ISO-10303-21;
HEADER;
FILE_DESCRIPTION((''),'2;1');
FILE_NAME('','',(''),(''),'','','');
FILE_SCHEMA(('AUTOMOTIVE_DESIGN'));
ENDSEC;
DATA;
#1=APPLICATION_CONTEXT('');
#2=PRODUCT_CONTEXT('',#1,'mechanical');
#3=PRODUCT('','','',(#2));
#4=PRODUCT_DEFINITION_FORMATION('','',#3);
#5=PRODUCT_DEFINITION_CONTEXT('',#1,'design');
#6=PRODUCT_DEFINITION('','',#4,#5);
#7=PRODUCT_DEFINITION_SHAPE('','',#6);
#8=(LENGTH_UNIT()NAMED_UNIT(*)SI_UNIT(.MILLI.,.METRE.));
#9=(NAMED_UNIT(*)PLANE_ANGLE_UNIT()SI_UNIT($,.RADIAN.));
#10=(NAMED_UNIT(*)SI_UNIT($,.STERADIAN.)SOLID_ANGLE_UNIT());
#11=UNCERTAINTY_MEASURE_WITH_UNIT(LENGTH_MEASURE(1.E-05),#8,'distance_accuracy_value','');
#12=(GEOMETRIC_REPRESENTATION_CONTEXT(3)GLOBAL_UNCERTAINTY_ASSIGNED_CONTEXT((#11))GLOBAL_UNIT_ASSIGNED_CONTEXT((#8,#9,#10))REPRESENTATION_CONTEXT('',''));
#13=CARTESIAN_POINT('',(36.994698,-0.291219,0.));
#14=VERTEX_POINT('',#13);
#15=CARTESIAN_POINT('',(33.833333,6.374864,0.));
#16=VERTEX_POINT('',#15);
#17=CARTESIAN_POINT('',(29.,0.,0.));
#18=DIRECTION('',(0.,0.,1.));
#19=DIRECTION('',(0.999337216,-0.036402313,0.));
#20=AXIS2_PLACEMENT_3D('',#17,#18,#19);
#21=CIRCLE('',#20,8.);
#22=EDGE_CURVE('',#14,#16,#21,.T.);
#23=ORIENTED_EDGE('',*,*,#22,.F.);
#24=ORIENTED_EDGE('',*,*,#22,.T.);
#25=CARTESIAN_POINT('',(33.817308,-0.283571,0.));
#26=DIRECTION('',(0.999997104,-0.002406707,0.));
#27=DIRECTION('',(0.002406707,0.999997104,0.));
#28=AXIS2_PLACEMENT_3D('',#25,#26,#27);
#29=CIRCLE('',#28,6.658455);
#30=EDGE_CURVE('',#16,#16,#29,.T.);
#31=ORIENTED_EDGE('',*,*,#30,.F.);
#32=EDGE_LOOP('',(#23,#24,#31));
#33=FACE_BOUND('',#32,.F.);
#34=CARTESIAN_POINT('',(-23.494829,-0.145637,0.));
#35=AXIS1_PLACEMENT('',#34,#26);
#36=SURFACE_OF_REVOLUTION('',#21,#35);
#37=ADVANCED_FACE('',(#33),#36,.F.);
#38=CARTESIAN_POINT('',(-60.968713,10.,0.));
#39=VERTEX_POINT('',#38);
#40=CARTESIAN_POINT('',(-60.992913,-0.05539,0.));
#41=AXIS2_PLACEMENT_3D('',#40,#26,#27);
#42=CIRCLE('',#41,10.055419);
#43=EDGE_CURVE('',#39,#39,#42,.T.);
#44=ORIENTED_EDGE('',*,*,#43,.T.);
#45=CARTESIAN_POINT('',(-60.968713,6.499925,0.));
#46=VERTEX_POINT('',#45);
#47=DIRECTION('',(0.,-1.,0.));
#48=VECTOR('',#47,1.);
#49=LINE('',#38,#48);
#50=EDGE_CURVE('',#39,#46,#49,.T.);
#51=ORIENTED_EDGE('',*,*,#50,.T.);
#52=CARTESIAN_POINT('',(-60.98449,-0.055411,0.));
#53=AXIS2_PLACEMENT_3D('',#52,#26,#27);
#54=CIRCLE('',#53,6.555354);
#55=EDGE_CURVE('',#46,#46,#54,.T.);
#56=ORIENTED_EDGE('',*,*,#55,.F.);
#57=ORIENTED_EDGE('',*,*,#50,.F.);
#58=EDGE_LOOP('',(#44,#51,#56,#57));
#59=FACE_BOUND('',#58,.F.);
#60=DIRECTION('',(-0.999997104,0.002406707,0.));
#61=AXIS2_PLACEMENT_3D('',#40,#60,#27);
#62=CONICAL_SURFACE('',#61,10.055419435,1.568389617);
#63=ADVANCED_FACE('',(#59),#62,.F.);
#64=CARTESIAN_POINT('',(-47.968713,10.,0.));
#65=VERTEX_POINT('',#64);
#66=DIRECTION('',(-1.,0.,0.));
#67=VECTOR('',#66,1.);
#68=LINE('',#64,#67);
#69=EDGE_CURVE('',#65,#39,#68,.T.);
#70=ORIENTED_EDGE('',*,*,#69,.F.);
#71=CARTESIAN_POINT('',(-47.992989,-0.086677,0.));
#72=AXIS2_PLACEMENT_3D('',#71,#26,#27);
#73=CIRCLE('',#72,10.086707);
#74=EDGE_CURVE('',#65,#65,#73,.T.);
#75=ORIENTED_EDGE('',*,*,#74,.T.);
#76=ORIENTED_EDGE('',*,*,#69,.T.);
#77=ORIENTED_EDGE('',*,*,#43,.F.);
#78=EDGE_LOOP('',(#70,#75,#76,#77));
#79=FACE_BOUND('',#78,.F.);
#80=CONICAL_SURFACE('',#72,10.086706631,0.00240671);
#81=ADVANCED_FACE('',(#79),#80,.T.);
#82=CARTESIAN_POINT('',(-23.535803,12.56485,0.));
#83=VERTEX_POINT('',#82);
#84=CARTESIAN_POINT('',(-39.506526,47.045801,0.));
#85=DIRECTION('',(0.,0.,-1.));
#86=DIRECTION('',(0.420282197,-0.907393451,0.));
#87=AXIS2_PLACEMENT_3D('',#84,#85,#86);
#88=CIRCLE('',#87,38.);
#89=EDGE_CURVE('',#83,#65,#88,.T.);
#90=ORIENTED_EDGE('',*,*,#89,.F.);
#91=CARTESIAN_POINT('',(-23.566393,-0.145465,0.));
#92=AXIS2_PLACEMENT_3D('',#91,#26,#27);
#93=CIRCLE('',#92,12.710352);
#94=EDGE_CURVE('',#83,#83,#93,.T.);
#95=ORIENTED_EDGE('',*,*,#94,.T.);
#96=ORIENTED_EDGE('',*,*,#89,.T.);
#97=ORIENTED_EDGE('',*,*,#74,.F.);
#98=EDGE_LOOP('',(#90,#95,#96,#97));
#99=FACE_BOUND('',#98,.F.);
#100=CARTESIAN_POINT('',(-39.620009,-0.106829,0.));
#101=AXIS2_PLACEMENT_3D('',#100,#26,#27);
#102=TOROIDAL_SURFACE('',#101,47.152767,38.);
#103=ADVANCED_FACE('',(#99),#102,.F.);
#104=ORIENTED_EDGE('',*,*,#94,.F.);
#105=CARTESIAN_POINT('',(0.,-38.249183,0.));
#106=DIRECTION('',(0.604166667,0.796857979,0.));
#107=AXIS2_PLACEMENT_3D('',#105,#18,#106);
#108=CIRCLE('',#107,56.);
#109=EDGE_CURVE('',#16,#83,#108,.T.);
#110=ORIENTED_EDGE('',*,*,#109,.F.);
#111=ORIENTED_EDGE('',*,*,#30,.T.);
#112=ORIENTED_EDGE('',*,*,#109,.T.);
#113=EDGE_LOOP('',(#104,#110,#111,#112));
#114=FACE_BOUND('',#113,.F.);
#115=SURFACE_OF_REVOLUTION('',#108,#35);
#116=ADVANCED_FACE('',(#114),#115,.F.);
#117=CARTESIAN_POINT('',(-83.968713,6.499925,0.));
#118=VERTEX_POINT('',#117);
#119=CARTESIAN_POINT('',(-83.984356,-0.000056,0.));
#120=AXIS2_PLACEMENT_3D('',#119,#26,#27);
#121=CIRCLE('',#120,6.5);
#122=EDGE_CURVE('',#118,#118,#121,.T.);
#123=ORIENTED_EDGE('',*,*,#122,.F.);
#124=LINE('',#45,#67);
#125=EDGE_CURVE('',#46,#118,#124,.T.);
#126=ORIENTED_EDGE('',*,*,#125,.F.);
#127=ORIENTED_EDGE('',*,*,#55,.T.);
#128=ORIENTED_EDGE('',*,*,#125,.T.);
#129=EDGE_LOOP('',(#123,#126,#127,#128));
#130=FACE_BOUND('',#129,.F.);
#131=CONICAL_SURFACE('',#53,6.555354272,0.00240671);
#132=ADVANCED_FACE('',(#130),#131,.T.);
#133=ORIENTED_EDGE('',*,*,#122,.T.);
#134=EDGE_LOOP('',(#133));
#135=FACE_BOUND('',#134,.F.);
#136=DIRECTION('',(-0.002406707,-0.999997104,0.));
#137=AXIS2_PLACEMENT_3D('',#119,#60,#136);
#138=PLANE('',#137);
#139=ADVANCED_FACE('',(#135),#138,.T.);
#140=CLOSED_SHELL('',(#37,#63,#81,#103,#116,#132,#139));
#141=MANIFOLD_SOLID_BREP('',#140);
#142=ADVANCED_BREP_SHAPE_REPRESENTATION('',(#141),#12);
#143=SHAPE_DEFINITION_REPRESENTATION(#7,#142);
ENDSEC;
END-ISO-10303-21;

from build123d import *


with BuildPart() as f1:
    # F0 (on Top) → F1 (revolve)
    with BuildSketch(Plane.XY):
        Polygon((-83.9843564017, -5.64748e-05), (-60.9687128034, -0.0554485557), (-60.9687128034, 6.4999247004), (-83.9687128034, 6.4999247004), align=None)
        with BuildLine():
            Line((-60.9687128034, 6.4999247004), (-60.9687128034, -0.0554485557))
            Line((-60.9687128034, -0.0554485557), (36.9946977292, -0.2912185067))
            ThreePointArc((36.9946977292, -0.2912185067), (36.2283302826, 3.4280083613), (33.8333333333, 6.374863833))
            ThreePointArc((33.8333333333, 6.374863833), (6.0073925905, 17.4276634849), (-23.5358030051, 12.5648502696))
            ThreePointArc((-23.5358030051, 12.5648502696), (-35.5392671277, 9.2534628626), (-47.9687128034, 10))
            Line((-47.9687128034, 10), (-48.352700648, 10))
            Line((-48.352700648, 10), (-60.9687128034, 10))
            Line((-60.9687128034, 10), (-60.9687128034, 6.4999247004))
        make_face()
    revolve(axis=Axis((-23.4948293362, -0.1456374907, 0), (0.9999971039, -0.0024067074, 0)))


solid = f1.part
